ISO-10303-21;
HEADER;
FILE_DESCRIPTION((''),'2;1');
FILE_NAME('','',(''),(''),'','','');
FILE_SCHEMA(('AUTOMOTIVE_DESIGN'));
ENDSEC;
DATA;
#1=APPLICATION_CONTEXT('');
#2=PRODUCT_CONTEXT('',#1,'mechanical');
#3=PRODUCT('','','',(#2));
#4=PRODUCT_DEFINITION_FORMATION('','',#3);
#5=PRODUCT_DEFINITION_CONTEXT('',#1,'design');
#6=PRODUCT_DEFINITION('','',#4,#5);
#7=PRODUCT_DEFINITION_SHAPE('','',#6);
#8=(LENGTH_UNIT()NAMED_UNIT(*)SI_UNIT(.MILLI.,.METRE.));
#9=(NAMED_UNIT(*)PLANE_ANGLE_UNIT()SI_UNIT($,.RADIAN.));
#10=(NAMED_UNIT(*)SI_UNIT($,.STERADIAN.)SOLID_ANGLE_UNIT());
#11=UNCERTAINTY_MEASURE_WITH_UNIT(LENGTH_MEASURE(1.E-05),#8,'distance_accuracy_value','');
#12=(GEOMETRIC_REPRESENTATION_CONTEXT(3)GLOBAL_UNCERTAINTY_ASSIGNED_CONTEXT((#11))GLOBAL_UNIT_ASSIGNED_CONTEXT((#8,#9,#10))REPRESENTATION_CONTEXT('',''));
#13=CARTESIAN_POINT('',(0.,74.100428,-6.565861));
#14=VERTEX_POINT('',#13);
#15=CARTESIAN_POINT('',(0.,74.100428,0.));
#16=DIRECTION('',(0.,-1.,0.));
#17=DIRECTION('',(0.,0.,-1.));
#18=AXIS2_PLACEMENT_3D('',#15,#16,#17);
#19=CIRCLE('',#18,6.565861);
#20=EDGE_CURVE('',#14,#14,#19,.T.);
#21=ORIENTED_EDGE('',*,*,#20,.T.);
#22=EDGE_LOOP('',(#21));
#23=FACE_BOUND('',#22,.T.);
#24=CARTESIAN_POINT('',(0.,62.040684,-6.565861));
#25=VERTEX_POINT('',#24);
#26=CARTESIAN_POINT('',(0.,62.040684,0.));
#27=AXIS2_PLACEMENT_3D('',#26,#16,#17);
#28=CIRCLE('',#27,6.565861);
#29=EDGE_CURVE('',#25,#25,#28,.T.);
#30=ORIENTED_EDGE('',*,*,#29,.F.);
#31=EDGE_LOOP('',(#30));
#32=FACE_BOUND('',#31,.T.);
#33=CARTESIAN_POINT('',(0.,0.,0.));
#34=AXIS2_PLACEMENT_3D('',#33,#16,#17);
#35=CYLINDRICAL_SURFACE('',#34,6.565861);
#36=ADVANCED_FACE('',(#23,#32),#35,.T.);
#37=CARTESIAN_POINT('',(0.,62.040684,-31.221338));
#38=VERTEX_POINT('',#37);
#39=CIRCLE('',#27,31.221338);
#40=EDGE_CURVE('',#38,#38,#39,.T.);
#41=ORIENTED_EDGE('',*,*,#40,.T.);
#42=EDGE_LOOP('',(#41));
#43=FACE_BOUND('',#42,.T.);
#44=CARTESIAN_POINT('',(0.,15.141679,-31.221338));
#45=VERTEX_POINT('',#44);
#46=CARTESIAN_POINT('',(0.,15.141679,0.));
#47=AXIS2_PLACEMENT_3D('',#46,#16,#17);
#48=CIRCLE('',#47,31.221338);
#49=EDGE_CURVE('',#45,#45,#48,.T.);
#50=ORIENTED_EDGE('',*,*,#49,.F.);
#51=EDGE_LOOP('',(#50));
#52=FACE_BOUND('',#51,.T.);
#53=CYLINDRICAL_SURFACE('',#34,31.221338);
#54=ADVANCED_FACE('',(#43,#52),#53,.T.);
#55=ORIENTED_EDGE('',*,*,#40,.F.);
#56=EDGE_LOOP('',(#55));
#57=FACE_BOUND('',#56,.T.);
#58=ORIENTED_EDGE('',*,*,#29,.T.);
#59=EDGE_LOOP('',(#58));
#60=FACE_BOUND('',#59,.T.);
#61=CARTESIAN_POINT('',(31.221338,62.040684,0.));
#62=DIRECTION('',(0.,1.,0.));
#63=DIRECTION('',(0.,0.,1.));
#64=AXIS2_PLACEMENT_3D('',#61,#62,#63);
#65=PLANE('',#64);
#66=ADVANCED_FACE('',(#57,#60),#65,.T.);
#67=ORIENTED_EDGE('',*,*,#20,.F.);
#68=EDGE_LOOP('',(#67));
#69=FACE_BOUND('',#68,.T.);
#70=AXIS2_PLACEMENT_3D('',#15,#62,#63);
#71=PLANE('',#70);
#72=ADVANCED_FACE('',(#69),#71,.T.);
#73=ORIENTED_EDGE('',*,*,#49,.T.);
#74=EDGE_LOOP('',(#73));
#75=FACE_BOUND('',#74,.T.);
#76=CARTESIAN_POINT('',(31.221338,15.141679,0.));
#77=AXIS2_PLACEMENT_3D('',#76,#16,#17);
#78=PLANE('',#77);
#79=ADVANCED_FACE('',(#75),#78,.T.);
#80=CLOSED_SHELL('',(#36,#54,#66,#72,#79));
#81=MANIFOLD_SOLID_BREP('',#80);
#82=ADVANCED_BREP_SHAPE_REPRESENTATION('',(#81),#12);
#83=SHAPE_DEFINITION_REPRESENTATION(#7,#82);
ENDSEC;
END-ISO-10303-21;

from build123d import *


with BuildPart() as part:
    # Sketch1 → Revolve1 (revolve)
    with BuildSketch(Plane.XY, mode=Mode.PRIVATE) as revolve1_sk:
        Polygon((31.221337852, 15.141678872), (31.221337852, 62.040684229), (6.56586075, 62.040684229), (6.56586075, 74.100428464), (0, 74.100428464), (0, 15.141678872), align=None)
    revolve(revolve1_sk.sketch.rotate(Axis((0, 0, 0), (0, 1, 0)), 90), axis=Axis((0, 0, 0), (0, 1, 0)))


solid = part.part
